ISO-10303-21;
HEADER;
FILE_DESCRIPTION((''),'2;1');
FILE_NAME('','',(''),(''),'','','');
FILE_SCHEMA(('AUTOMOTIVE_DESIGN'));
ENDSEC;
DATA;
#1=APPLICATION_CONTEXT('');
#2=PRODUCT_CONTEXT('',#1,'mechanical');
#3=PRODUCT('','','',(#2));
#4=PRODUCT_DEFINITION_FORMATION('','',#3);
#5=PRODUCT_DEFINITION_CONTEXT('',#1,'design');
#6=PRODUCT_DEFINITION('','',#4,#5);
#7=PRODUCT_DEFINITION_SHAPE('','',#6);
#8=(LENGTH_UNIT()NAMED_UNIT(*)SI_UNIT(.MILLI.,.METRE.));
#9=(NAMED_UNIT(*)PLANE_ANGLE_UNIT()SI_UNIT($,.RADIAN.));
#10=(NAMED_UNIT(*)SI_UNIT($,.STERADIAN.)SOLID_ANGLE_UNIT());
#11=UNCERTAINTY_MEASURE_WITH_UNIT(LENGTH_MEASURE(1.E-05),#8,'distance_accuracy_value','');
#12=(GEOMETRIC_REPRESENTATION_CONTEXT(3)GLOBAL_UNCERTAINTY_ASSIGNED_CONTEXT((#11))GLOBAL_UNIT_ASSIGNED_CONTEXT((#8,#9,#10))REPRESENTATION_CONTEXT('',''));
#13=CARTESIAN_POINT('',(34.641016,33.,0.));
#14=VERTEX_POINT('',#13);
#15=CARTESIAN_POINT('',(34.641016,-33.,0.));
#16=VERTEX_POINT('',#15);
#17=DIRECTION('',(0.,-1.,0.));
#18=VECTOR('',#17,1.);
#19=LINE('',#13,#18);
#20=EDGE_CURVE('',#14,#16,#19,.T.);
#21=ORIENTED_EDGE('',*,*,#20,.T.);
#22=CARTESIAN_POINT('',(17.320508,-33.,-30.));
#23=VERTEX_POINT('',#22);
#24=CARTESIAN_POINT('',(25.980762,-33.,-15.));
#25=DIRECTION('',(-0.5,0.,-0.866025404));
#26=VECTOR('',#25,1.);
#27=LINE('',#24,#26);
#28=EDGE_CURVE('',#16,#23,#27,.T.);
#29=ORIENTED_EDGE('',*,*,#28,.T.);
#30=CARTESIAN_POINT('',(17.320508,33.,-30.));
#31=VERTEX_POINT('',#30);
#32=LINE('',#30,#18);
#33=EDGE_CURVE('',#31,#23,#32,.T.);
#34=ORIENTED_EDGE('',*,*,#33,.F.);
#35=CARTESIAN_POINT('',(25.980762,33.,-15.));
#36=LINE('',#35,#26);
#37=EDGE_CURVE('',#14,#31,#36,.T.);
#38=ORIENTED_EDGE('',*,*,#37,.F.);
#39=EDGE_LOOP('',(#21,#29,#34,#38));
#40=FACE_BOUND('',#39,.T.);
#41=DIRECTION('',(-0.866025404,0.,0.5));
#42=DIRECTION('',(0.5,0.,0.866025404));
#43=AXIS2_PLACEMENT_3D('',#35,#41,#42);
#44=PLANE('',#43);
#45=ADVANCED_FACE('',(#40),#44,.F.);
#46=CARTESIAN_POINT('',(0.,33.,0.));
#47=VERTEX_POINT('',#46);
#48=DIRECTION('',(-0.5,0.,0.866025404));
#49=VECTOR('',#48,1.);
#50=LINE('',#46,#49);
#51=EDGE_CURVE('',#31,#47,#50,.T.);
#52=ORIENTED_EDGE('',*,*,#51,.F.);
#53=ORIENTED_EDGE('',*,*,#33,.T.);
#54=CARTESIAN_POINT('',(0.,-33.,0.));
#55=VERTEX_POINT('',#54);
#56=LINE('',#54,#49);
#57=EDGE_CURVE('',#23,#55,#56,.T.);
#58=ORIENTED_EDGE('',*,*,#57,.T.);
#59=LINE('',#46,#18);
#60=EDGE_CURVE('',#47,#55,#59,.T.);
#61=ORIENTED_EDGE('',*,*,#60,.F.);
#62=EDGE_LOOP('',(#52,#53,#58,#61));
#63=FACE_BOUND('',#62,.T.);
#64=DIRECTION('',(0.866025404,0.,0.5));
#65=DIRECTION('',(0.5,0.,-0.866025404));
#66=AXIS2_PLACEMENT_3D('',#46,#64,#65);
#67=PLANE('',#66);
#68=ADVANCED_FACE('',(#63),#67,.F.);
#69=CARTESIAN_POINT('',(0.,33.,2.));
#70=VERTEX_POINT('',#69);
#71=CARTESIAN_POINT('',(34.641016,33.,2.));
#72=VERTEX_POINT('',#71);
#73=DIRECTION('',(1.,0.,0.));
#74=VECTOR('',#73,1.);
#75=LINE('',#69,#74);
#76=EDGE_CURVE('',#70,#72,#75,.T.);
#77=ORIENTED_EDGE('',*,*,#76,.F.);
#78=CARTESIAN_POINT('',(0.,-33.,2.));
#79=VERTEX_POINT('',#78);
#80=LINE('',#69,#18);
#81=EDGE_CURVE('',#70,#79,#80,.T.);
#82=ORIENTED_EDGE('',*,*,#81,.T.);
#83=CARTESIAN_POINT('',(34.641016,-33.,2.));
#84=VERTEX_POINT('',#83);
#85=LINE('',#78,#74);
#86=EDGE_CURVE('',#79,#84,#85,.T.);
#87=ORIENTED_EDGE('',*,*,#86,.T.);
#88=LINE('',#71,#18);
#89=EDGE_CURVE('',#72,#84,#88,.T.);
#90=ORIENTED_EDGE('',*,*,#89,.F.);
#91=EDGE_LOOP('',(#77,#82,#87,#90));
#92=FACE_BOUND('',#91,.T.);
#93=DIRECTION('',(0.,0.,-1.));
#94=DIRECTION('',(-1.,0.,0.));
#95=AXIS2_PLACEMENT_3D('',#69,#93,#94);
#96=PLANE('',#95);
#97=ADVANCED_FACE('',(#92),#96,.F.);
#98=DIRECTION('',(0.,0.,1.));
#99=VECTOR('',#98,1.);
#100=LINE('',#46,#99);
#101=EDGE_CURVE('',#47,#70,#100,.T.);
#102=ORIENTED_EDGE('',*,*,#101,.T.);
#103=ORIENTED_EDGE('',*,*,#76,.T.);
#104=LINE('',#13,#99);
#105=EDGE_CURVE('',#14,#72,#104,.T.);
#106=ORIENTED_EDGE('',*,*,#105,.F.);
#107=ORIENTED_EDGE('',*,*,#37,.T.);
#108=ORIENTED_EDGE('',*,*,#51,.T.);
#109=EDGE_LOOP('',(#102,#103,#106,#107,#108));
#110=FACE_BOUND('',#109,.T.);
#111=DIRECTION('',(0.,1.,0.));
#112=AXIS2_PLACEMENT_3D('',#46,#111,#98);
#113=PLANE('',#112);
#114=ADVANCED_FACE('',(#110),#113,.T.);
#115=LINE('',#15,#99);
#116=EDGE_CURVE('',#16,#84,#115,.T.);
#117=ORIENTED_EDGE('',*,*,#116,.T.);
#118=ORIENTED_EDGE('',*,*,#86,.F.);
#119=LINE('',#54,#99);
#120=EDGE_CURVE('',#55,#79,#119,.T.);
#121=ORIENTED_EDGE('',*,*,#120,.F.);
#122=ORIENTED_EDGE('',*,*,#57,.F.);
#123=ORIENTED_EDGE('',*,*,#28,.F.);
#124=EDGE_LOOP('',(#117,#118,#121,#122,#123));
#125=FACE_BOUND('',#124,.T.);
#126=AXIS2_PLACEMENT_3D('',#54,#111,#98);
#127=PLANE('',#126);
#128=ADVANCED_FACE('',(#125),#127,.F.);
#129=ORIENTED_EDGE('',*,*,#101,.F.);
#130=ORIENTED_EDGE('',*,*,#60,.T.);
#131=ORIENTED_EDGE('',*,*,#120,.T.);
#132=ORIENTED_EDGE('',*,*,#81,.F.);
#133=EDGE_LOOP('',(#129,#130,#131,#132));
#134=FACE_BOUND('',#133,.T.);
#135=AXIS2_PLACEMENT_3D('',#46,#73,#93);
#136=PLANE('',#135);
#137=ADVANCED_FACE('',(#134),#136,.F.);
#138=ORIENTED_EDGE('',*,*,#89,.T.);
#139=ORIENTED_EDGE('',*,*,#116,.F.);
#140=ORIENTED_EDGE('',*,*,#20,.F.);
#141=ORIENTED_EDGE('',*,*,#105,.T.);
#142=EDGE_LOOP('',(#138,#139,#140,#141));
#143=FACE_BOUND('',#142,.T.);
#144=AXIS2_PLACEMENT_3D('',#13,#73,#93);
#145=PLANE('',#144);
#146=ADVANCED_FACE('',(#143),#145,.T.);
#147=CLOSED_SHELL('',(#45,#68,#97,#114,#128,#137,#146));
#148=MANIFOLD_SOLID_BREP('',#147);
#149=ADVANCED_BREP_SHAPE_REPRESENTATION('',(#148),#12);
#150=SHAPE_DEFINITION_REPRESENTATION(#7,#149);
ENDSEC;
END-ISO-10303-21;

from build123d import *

# Parameters (mm, degrees)
BOSS_EXTRUDE1_DEPTH = 33


with BuildPart() as part:
    # Sketch1 → Boss-Extrude1 (new, symmetric)
    with BuildSketch(Plane(origin=(0, 0, 0), x_dir=(1, 0, 0), z_dir=(0, 1, 0))):
        Polygon((34.641016151, 0), (17.320508076, 30), (0, 0), (0, -2), (34.641016151, -2), align=None)
    extrude(amount=BOSS_EXTRUDE1_DEPTH, both=True)


solid = part.part
